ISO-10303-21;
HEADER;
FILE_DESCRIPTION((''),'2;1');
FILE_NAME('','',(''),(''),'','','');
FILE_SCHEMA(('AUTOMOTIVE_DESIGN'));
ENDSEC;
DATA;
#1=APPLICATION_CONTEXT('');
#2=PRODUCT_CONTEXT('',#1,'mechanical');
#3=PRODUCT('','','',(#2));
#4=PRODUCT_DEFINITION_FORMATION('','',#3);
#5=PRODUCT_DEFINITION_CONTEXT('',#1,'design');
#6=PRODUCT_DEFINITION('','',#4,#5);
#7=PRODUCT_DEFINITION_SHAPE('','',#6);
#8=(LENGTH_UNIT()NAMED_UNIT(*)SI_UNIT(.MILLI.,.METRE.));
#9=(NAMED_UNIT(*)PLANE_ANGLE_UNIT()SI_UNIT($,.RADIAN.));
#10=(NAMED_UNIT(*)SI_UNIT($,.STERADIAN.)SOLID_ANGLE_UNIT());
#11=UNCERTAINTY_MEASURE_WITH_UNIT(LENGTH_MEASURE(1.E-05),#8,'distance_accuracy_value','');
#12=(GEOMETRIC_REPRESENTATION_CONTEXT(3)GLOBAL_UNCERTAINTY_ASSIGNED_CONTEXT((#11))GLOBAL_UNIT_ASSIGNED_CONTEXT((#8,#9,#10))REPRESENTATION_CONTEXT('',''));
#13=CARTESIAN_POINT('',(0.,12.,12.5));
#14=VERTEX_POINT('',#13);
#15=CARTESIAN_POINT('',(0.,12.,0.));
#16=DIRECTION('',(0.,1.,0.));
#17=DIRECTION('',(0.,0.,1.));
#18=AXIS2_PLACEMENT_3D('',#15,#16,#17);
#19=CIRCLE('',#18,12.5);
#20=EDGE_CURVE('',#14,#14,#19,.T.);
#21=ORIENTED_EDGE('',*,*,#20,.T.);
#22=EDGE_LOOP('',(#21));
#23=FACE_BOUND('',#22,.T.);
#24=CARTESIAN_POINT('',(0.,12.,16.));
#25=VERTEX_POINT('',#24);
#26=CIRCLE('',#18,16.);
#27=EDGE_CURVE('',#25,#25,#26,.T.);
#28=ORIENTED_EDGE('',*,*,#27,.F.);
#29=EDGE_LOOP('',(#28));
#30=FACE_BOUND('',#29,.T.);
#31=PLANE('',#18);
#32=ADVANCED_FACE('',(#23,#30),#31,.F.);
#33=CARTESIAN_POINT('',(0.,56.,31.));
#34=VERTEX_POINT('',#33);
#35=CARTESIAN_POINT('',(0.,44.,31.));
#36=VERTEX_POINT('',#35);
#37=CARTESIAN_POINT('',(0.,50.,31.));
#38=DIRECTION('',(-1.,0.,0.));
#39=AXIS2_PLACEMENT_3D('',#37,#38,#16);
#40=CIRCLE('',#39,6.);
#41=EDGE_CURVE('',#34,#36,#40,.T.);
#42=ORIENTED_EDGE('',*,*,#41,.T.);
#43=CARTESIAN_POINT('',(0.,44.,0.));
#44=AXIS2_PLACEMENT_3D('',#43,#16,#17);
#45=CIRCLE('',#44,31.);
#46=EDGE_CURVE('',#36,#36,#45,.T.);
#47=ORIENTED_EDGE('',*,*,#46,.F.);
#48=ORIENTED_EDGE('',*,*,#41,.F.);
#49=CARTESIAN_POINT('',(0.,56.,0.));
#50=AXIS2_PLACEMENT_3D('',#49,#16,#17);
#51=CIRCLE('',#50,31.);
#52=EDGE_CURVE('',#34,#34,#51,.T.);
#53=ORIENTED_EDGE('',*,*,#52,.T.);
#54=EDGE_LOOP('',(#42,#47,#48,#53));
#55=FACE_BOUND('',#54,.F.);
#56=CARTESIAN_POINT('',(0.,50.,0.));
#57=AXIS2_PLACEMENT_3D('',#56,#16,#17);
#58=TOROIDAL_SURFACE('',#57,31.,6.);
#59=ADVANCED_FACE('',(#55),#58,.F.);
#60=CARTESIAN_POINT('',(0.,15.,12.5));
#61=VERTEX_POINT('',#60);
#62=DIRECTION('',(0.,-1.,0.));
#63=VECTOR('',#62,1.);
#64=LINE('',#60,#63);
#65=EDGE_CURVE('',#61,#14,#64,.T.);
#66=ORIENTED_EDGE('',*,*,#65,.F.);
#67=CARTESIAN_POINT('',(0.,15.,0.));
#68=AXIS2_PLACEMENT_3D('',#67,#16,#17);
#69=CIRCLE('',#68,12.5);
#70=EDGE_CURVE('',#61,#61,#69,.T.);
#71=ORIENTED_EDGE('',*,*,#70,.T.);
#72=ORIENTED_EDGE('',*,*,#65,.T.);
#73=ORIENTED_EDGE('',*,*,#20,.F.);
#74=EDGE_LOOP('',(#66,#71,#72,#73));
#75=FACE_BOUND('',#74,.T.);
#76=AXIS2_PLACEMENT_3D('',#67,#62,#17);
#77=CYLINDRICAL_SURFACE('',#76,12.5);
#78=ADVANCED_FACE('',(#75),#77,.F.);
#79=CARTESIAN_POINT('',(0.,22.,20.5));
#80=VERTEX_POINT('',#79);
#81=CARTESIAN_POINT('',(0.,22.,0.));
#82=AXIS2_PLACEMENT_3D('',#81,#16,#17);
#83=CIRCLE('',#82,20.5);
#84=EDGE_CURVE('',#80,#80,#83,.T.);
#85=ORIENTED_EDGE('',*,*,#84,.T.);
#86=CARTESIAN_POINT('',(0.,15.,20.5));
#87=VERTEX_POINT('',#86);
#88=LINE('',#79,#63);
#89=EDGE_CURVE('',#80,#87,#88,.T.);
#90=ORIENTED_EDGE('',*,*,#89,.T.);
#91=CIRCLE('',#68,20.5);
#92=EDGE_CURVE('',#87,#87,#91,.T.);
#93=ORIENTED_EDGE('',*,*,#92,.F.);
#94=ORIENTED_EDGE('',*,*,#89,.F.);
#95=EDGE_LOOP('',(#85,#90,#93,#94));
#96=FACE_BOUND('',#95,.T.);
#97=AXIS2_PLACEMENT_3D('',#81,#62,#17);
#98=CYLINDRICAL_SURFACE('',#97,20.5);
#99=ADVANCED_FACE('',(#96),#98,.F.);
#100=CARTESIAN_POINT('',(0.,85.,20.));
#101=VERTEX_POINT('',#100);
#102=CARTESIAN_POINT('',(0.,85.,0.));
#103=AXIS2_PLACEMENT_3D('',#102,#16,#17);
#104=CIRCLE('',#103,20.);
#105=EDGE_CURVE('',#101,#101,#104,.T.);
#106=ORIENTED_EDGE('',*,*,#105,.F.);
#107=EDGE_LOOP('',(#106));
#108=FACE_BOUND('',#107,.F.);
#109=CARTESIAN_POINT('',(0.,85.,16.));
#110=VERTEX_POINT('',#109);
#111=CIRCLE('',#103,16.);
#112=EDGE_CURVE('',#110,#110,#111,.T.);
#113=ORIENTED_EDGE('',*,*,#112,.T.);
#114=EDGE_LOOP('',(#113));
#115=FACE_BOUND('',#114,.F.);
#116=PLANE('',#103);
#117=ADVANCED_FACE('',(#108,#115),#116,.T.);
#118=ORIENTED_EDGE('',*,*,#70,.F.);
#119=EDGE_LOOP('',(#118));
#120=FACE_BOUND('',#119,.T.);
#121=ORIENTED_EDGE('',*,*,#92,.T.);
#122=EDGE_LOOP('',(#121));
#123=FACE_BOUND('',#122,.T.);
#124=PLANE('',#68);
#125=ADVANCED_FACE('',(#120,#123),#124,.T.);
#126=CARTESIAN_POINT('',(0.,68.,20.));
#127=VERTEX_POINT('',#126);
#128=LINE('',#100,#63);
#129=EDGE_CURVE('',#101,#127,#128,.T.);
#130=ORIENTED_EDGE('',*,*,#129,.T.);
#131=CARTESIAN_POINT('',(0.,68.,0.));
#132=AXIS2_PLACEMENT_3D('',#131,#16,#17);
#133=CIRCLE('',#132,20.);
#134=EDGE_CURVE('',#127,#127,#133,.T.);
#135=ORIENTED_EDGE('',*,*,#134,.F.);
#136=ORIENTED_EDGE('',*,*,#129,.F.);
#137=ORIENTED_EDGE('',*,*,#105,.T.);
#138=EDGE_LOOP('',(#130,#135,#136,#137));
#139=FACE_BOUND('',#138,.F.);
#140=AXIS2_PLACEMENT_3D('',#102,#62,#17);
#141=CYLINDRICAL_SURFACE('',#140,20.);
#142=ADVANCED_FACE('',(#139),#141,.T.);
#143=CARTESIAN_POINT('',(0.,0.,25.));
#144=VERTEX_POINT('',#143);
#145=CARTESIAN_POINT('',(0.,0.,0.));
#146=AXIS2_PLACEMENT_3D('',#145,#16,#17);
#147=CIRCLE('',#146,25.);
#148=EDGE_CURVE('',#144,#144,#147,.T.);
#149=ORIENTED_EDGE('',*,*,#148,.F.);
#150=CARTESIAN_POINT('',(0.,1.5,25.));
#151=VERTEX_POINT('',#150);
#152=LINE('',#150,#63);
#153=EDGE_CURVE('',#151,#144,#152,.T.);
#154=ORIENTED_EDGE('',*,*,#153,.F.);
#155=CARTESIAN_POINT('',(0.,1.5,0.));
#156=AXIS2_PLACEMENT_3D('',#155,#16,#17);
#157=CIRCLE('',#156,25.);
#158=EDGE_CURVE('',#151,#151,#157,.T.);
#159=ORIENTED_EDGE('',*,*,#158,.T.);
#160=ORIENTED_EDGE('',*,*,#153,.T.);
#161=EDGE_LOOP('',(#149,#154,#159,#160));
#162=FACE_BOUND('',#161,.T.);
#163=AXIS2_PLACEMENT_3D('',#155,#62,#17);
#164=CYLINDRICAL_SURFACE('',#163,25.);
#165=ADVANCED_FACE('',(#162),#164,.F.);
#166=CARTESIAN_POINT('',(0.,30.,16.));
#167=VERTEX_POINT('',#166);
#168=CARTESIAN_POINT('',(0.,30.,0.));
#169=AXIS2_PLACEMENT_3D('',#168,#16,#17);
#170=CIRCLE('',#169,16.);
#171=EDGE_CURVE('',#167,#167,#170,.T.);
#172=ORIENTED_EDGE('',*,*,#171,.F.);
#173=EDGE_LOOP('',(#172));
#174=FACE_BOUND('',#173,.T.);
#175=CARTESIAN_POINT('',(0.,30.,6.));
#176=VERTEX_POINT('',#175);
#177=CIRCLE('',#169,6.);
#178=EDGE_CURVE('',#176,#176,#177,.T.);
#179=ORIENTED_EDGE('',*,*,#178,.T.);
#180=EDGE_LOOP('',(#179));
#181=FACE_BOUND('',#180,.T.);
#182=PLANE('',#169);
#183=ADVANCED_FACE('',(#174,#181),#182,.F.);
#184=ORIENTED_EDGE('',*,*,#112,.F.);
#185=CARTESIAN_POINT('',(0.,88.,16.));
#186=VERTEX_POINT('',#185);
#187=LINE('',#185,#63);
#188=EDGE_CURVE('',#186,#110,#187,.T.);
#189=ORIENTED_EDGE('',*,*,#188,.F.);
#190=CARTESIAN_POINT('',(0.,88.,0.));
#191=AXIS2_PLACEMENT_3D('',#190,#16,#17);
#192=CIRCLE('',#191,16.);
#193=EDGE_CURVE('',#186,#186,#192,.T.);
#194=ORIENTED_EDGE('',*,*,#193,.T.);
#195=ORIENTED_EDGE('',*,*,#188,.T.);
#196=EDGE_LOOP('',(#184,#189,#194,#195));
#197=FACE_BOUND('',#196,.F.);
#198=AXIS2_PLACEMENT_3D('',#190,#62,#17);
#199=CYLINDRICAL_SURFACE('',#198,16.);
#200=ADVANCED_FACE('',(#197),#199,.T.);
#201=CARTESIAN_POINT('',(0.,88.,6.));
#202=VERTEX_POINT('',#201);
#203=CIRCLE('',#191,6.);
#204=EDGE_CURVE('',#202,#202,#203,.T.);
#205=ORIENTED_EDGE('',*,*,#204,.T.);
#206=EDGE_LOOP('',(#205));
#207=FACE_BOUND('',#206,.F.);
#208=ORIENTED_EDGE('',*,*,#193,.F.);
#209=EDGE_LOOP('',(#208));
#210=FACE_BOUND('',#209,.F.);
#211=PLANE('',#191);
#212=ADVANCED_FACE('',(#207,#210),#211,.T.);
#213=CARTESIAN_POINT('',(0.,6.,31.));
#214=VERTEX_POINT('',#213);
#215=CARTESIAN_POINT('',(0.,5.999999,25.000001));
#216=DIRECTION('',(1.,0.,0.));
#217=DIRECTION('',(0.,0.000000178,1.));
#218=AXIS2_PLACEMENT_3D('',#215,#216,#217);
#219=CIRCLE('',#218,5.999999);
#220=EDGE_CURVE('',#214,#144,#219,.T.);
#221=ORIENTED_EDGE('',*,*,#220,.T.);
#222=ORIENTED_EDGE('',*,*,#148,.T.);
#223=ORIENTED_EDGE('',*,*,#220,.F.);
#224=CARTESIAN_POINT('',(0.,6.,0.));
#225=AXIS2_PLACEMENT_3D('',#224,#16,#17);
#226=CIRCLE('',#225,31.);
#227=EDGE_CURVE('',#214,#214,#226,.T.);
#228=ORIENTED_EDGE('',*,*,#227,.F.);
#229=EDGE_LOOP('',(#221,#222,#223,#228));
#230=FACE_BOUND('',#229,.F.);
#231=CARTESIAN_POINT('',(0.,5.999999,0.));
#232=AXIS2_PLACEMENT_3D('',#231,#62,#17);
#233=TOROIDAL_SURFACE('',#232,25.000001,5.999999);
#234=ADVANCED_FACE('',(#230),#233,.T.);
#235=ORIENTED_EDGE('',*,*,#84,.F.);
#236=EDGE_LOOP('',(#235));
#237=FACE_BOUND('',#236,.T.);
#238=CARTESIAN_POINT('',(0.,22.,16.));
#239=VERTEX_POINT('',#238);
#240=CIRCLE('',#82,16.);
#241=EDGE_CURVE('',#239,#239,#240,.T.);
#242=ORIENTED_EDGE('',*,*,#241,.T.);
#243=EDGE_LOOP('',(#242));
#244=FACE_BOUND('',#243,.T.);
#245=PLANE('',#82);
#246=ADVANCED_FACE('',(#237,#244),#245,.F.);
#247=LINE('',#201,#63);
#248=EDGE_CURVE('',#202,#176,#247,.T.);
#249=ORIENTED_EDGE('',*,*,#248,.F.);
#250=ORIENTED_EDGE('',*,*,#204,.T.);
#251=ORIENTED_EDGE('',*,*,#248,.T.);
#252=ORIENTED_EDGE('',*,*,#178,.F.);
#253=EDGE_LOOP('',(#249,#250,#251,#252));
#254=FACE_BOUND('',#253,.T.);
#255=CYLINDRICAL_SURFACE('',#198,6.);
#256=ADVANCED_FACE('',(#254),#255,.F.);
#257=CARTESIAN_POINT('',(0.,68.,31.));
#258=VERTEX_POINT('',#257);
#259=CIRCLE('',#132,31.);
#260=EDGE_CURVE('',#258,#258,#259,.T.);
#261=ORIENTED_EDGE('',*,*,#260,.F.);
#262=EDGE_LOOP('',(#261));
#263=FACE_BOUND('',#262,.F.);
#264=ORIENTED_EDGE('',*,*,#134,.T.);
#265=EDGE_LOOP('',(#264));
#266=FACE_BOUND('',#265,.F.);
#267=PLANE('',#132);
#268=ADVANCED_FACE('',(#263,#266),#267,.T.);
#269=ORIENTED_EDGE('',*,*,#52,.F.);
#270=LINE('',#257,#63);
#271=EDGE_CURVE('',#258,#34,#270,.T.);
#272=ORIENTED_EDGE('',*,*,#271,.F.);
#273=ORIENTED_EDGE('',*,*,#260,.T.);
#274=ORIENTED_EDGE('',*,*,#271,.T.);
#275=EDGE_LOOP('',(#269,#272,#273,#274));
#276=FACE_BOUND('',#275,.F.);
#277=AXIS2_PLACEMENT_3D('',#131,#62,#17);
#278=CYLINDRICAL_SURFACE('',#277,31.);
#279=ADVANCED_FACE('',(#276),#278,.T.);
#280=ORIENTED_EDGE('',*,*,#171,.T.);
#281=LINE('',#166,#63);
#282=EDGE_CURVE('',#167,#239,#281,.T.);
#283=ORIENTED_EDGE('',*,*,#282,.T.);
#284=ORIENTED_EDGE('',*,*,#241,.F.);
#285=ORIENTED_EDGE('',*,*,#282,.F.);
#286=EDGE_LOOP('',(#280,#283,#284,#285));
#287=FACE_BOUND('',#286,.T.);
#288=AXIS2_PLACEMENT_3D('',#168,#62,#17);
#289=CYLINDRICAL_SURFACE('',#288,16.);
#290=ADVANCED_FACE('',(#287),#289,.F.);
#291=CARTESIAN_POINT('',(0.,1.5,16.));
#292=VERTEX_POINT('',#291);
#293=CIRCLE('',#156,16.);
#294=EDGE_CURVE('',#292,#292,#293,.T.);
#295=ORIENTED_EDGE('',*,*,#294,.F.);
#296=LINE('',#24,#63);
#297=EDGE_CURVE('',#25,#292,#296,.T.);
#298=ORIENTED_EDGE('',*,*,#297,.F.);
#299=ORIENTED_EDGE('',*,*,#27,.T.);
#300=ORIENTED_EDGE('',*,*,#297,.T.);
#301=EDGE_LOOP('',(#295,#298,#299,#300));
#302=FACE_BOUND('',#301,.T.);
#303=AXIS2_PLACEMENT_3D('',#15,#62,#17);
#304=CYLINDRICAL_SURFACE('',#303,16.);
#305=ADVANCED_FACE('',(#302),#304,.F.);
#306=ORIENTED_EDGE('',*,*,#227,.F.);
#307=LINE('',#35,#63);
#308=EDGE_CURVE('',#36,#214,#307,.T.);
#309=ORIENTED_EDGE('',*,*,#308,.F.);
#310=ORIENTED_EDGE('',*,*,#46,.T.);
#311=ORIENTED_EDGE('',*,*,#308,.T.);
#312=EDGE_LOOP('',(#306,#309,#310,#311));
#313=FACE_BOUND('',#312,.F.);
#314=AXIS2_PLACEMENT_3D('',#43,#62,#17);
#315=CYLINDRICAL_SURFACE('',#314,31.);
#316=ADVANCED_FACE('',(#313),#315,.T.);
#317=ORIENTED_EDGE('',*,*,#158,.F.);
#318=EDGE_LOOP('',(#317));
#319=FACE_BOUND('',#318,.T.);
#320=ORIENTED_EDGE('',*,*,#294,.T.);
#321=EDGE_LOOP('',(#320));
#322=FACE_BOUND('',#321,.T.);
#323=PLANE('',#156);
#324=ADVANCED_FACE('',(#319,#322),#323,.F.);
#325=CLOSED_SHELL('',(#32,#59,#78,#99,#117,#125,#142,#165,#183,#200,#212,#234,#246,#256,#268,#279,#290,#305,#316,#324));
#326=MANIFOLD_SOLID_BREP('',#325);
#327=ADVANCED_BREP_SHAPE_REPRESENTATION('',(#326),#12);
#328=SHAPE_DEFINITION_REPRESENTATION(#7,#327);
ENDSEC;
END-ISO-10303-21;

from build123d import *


with BuildPart() as f1:
    # F0 (on Right) → F1 (revolve)
    with BuildSketch(Plane.YZ):
        with BuildLine():
            Line((0, 25), (0, 0))
            Line((0, 0), (88, 0))
            Line((88, 0), (88, 16))
            Line((88, 16), (85, 16))
            Line((85, 16), (85, 20))
            Line((85, 20), (68, 20))
            Line((68, 20), (68, 31))
            Line((68, 31), (56, 31))
            ThreePointArc((56, 31), (50, 25), (44, 31))
            Line((44, 31), (6, 31))
            ThreePointArc((6, 31), (1.757359, 29.242641), (0, 25))
        make_face()
    revolve(axis=Axis((0, 43.101239, 0), (0, 1, 0)))

    # F2 (on Right) → F4 (revolve, cut)
    with BuildSketch(Plane.YZ):
        Polygon((0, 25), (0, 0), (88, 0), (88, 6), (30, 6), (30, 16), (22, 16), (22, 20.5), (15, 20.5), (15, 12.5), (12, 12.5), (12, 16), (1.5, 16), (1.5, 25), align=None)
    revolve(axis=Axis((0, 40.336952, 0), (0, 1, 0)), mode=Mode.SUBTRACT)


solid = f1.part
